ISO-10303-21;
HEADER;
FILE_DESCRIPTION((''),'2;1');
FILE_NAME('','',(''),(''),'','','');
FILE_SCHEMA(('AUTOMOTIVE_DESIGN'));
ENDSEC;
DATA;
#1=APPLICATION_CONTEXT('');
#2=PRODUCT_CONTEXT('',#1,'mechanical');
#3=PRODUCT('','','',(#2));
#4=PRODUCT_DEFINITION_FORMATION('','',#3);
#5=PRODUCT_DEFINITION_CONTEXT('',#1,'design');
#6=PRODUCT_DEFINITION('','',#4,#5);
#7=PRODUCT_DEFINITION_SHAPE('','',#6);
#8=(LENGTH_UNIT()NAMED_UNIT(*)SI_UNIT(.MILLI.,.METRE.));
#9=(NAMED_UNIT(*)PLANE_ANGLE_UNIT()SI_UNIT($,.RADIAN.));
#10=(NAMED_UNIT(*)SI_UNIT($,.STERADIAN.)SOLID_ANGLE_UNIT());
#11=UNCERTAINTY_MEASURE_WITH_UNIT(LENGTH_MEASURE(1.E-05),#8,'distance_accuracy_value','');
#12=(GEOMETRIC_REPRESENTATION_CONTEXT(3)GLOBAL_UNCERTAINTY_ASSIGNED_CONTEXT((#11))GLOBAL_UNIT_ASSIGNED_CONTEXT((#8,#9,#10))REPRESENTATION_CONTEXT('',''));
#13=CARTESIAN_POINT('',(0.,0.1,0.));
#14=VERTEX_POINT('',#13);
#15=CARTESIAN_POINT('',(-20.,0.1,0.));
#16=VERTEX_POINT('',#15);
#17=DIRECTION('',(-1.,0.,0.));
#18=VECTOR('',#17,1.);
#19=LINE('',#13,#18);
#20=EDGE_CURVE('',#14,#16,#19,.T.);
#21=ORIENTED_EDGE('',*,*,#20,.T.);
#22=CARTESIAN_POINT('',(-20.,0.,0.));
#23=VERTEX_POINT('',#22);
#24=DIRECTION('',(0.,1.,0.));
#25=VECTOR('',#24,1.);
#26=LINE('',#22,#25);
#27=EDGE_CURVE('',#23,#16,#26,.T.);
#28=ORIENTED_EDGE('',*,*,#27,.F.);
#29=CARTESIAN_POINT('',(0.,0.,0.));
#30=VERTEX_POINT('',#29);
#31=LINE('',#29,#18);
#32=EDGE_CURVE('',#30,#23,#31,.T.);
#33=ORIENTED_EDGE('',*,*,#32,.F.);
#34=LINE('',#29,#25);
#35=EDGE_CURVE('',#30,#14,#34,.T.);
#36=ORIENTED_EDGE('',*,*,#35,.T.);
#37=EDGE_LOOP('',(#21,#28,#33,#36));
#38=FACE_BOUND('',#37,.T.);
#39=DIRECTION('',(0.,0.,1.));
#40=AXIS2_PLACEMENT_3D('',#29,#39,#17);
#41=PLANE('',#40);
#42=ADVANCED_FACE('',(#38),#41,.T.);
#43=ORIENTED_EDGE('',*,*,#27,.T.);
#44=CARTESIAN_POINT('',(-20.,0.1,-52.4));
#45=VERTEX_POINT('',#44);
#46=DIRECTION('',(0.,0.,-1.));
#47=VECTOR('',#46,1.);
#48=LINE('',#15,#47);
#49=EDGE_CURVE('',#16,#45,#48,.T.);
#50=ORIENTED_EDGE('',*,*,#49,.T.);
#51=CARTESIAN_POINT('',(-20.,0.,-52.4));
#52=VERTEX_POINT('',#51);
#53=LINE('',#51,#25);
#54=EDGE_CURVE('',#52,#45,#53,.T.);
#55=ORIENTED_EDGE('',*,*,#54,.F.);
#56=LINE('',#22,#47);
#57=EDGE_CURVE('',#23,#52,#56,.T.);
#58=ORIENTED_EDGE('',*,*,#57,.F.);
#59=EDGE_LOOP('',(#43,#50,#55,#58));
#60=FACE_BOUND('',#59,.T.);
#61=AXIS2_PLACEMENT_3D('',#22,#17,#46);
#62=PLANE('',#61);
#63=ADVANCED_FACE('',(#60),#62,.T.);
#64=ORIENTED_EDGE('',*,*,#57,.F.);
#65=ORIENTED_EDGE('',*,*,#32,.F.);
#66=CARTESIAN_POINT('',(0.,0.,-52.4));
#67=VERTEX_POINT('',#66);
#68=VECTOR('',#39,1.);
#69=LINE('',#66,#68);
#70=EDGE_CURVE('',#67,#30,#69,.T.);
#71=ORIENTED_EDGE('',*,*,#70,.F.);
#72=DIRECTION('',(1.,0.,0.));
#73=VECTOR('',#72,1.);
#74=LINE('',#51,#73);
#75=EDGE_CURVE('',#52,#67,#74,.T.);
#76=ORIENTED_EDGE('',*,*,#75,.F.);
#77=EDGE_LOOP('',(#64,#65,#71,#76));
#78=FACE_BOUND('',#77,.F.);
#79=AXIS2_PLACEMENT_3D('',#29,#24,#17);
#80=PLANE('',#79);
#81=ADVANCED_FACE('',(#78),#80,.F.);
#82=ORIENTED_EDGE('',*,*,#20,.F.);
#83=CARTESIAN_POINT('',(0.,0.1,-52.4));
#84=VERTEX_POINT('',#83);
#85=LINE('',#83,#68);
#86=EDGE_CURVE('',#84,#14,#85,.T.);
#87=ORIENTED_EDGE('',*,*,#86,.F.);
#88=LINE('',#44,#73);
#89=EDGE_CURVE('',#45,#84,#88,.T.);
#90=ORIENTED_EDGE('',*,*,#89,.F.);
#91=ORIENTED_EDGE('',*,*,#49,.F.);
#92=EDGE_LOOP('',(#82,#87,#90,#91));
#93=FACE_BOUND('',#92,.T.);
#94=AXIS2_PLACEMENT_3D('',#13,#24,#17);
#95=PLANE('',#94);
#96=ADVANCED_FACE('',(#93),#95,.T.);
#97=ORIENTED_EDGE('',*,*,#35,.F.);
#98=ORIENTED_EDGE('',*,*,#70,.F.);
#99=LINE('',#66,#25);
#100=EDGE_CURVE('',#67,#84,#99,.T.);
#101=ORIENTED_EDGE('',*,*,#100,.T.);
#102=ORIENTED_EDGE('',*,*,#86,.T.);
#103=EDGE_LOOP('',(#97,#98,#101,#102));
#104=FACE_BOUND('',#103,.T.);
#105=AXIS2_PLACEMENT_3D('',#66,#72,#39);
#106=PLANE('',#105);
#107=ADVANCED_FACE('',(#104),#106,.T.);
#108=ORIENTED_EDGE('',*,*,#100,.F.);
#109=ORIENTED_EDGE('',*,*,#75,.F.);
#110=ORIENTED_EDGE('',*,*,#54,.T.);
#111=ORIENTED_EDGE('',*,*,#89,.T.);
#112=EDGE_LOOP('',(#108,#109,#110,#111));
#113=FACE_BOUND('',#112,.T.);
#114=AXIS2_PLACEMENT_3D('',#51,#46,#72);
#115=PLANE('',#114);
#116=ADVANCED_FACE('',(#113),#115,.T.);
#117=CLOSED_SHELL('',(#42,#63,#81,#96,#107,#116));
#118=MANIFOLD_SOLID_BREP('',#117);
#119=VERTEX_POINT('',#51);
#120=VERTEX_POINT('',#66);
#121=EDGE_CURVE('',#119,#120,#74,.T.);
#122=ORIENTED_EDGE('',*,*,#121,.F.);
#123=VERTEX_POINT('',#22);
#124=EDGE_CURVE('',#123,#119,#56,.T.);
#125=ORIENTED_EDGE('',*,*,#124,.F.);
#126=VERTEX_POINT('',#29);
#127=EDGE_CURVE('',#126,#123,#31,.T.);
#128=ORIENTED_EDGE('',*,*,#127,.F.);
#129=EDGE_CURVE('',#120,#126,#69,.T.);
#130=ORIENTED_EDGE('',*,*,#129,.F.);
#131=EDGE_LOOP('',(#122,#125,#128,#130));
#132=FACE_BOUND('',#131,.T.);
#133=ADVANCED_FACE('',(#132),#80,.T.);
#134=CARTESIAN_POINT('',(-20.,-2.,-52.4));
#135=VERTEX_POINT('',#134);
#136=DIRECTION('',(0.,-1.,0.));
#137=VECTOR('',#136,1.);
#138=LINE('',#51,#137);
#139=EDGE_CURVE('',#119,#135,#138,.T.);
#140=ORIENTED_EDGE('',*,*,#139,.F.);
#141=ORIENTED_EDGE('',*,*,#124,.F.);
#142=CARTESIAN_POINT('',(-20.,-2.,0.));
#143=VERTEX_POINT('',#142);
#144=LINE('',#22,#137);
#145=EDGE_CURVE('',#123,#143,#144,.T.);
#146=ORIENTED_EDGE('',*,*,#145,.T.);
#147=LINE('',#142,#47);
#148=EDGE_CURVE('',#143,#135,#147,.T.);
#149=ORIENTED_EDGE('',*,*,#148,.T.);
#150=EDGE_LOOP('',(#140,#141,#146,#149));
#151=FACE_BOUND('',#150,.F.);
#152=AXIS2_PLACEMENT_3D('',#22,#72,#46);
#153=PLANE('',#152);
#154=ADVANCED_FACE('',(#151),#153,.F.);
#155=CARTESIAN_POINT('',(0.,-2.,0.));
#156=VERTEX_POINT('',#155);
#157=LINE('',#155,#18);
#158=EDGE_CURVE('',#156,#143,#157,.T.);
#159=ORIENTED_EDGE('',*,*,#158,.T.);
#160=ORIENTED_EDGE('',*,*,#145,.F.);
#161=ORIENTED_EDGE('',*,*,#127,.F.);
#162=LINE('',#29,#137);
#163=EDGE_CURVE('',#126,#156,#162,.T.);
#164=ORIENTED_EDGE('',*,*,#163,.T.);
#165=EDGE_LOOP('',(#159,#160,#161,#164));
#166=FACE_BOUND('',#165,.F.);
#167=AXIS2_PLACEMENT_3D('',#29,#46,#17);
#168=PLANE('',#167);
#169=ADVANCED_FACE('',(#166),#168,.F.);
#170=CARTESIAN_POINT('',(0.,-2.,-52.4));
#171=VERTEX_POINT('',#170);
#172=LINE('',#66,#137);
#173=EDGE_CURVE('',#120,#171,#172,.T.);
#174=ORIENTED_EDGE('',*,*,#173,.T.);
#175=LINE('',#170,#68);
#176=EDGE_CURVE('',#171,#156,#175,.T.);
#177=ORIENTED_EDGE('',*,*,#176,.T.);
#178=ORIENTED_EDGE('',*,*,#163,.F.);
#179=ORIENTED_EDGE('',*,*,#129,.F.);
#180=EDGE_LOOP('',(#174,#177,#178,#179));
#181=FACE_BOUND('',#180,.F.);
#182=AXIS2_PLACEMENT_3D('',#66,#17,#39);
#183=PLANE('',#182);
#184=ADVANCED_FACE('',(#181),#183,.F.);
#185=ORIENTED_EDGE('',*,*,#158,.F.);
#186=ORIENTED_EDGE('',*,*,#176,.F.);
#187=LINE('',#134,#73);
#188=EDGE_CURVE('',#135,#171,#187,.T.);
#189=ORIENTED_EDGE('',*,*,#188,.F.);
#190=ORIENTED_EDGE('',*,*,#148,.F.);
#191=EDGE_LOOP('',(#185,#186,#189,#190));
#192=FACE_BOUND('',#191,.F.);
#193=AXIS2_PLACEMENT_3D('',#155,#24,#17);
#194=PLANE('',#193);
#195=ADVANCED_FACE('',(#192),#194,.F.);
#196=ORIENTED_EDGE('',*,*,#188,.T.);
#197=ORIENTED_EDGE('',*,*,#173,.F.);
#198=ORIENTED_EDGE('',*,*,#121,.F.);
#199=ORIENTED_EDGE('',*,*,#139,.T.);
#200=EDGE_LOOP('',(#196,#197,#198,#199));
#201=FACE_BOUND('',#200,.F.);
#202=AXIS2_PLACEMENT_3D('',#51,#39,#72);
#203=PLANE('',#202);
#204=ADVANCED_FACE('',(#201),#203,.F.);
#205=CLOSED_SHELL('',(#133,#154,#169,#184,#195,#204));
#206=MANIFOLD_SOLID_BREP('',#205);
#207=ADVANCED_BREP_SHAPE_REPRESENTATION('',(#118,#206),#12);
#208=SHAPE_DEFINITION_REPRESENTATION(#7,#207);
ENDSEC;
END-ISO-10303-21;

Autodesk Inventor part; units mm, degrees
ref_plane "YZ Plane" through (0, 0, 0) normal (1, 0, 0) x (0, 1, 0)
ref_plane "XZ Plane" through (0, 0, 0) normal (0, 1, 0) x (-1, 0, 0)
ref_plane "XY Plane" through (0, 0, 0) normal (0, 0, 1) x (1, 0, 0)
sketch "Sketch1" plane through (0, 0, 0) normal (0, 1, 0) x (-1, 0, 0)
  line L0 (0, 0) -> (20, 0)
  line L1 (20, 0) -> (20, -52.4)
  line L2 (20, -52.4) -> (0, -52.4)
  line L3 (0, -52.4) -> (0, 0)
  dimension "d0" = 20
  dimension "d1" = 52.4
extrude "Extrusion1" add sketch "Sketch1" against normal blind 2
extrude "Extrusion2" add sketch "Sketch1" along normal blind 0.1 separate body
equation "\"d1\" = d_bottom_length"
equation "\"d_bottom_length\" = 52.4"
properties part number "071_0122_FoamKapton_long"
